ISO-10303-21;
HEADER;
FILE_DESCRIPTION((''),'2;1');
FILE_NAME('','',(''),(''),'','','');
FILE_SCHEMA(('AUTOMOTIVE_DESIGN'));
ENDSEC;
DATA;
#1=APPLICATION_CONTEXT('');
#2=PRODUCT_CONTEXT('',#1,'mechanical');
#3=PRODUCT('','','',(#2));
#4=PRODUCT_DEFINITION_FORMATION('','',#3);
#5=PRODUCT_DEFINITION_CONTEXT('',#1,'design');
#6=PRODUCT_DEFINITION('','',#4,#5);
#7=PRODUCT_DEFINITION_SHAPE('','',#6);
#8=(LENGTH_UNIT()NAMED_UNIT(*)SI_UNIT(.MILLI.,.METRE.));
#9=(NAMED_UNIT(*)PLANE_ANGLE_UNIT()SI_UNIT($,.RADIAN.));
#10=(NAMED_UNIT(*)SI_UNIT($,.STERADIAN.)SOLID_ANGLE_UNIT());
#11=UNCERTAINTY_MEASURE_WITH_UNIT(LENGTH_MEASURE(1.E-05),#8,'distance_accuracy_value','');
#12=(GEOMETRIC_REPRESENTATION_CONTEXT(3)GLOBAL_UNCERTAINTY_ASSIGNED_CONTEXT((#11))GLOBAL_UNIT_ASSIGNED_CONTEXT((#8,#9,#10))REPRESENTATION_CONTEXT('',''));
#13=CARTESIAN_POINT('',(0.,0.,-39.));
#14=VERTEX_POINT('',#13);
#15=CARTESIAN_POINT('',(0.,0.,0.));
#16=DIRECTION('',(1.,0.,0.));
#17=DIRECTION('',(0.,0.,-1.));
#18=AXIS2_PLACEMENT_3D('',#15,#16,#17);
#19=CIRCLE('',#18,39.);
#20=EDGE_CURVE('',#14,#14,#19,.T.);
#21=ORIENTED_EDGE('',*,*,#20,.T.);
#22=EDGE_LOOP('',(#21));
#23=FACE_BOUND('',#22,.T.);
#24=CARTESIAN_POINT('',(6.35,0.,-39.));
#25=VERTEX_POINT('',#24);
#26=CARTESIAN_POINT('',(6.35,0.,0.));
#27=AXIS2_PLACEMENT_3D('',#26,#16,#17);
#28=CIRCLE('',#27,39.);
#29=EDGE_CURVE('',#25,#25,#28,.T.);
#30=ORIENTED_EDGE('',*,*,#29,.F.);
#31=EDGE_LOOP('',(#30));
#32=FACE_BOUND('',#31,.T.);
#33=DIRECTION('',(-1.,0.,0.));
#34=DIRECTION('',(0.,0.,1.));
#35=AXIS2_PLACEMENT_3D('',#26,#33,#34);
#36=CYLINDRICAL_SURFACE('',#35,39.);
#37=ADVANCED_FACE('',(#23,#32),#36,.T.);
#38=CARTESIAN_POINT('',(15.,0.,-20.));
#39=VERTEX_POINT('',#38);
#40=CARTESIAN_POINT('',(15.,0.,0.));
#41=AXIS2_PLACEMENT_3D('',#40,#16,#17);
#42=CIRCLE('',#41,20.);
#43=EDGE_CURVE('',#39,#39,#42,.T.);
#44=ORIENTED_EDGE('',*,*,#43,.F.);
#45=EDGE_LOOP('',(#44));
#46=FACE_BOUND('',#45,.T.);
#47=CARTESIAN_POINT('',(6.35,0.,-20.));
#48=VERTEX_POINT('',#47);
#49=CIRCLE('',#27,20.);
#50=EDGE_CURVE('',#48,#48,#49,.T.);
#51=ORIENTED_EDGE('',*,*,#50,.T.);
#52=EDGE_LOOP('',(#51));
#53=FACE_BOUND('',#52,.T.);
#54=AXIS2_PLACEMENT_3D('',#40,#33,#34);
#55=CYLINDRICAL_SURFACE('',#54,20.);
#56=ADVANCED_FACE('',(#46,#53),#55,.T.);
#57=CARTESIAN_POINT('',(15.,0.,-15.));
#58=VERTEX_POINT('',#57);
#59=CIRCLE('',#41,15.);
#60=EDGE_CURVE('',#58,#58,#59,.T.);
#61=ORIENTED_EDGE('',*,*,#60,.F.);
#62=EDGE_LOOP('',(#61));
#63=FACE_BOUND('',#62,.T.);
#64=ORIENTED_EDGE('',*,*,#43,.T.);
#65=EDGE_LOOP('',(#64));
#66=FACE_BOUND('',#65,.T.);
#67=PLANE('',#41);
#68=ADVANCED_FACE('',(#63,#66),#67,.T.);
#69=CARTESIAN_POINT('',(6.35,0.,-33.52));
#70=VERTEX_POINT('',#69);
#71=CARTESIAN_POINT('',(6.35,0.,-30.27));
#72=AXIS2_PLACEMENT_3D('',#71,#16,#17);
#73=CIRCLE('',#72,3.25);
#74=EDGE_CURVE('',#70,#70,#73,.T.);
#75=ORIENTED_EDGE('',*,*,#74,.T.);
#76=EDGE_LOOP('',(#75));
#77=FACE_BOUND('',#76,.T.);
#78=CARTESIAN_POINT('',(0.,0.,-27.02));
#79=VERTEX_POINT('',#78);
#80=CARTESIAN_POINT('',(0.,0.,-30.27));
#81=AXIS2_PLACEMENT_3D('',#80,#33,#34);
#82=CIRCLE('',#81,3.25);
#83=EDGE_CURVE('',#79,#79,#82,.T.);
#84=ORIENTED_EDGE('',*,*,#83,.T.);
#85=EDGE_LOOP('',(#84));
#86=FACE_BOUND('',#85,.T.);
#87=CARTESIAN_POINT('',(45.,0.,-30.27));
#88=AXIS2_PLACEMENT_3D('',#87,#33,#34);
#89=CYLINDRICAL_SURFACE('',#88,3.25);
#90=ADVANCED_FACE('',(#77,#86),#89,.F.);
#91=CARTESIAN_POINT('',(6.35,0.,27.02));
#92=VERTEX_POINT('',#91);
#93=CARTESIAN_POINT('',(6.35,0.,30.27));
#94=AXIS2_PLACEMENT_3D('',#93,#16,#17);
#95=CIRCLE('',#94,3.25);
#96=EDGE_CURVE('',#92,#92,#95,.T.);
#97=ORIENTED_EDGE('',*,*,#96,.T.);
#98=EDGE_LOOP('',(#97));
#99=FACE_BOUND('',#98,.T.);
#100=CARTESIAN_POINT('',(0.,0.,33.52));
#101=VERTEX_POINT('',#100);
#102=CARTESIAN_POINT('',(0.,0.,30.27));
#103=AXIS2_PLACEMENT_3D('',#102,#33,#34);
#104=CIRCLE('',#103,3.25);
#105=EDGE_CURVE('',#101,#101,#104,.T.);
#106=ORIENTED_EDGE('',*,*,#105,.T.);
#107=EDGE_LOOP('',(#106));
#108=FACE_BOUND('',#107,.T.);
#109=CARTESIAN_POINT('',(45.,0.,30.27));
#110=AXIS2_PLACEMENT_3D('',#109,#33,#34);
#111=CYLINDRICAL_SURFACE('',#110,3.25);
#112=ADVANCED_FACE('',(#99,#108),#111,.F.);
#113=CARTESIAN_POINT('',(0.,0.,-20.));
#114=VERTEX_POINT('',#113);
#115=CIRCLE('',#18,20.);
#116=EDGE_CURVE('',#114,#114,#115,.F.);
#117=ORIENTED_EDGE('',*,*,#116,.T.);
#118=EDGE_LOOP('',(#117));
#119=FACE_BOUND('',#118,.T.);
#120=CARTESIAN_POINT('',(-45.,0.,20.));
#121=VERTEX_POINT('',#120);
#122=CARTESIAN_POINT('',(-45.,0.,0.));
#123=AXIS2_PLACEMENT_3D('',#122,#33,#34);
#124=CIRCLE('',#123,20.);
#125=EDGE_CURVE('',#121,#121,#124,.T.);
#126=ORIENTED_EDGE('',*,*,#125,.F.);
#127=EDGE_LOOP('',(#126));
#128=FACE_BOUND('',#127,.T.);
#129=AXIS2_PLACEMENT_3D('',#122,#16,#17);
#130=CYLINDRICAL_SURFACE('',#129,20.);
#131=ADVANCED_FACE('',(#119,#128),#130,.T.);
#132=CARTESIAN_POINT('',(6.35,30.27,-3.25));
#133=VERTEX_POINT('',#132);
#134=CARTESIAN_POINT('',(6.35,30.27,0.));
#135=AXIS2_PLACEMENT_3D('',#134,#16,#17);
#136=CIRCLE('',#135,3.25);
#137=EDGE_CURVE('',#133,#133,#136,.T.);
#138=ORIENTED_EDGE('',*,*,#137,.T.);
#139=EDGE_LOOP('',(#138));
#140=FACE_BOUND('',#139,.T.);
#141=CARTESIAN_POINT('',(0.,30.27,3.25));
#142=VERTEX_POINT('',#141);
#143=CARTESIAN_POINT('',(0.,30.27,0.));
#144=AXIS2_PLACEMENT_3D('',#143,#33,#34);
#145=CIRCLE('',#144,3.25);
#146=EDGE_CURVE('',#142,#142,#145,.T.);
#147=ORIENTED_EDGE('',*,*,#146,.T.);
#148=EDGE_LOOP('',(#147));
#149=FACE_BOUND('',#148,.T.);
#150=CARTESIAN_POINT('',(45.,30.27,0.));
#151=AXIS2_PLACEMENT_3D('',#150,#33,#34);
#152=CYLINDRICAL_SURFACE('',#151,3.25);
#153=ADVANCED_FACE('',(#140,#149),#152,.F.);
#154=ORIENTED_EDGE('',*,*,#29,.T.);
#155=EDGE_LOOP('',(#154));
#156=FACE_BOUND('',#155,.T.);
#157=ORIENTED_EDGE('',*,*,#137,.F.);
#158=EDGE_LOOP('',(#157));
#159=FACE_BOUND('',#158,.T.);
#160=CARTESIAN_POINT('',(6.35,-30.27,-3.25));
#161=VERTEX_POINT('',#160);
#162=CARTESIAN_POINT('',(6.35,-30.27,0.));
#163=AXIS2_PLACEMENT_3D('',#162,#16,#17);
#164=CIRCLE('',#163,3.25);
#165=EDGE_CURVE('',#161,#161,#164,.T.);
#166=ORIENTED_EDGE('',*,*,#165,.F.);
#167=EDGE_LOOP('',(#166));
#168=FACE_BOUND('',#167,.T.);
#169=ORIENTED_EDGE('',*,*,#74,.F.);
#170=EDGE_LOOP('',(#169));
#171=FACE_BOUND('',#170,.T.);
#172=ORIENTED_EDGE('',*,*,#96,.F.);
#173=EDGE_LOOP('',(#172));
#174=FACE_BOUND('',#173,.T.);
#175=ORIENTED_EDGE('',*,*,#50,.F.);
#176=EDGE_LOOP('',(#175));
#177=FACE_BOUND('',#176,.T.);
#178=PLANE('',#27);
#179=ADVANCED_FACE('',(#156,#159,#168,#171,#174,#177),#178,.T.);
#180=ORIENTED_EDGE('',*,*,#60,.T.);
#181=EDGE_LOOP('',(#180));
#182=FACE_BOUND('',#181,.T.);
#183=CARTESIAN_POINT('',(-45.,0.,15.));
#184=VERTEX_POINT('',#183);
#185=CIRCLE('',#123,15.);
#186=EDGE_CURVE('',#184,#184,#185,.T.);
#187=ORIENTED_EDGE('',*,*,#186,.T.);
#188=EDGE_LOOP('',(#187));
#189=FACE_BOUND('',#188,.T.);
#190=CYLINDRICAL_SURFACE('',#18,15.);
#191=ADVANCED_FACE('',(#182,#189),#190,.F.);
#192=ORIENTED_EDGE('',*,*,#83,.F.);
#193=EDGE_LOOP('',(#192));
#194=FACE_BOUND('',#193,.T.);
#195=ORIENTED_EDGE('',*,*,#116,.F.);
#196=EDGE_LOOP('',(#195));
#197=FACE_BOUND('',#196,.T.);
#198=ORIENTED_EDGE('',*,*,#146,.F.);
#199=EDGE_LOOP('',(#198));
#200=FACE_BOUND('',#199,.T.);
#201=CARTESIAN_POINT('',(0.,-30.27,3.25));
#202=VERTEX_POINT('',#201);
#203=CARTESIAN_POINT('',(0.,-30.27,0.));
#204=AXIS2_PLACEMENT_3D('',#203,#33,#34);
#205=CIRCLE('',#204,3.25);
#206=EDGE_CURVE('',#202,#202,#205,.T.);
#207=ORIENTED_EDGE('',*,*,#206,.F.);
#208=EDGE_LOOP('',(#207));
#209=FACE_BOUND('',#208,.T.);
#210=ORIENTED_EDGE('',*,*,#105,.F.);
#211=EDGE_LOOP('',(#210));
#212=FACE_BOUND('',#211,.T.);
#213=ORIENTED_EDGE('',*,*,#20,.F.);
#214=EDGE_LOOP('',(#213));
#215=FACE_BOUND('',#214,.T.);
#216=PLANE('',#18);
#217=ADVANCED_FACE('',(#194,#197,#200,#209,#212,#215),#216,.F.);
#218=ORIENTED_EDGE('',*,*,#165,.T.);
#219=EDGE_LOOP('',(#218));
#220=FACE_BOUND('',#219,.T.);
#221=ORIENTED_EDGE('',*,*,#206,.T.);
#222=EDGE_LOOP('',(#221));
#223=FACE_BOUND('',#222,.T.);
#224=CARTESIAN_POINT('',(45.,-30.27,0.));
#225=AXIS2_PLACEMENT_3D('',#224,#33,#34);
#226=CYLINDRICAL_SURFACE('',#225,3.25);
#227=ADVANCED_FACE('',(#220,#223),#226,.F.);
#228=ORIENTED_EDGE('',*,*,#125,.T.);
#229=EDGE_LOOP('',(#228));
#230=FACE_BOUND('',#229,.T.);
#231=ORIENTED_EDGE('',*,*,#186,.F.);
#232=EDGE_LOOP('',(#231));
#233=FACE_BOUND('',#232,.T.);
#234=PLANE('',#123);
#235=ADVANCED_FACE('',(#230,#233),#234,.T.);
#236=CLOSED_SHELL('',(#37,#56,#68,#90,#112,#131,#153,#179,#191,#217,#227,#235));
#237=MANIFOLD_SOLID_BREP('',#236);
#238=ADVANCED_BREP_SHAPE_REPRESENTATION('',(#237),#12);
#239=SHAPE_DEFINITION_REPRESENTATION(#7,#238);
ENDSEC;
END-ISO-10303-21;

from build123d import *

# Parameters (mm, degrees)
SKETCH1_R           = 39
BOSS_EXTRUDE1_DEPTH = 6.35
SKETCH2_R           = 15
CUT_EXTRUDE1_DEPTH  = 6.35
SKETCH3_R           = 20
SKETCH3_R_2         = 15
BOSS_EXTRUDE2_DEPTH = 8.65
SKETCH4_R           = 20
SKETCH4_R_2         = 15
BOSS_EXTRUDE3_DEPTH = 45
SKETCH5_R           = 3.25
CUT_EXTRUDE2_DEPTH  = 45


with BuildPart() as part:
    # Sketch1 → Boss-Extrude1 (new body)
    with BuildSketch(Plane(origin=(0, 0, 0), x_dir=(0, 0, -1), z_dir=(1, 0, 0))):
        Circle(SKETCH1_R)
    extrude(amount=BOSS_EXTRUDE1_DEPTH)

    # Sketch2 → Cut-Extrude1 (cut)
    with BuildSketch(Plane(origin=(6.35, 0, 0), x_dir=(0, 0, -1), z_dir=(1, 0, 0))):
        Circle(SKETCH2_R)
    extrude(amount=-CUT_EXTRUDE1_DEPTH, mode=Mode.SUBTRACT)

    # Sketch3 → Boss-Extrude2 (add)
    with BuildSketch(Plane(origin=(6.35, 0, 0), x_dir=(0, 0, -1), z_dir=(1, 0, 0))):
        Circle(SKETCH3_R)
        Circle(SKETCH3_R_2, mode=Mode.SUBTRACT)
    extrude(amount=BOSS_EXTRUDE2_DEPTH)

    # Sketch4 → Boss-Extrude3 (add)
    with BuildSketch(Plane.ZY):
        Circle(SKETCH4_R)
        Circle(SKETCH4_R_2, mode=Mode.SUBTRACT)
    extrude(amount=BOSS_EXTRUDE3_DEPTH)

    # Sketch5 → Cut-Extrude2 (cut)
    with BuildSketch(Plane.ZY):
        with Locations((0, 30.27)):
            Circle(SKETCH5_R)
        with Locations((-30.27, 0)):
            Circle(SKETCH5_R)
        with Locations((30.27, 0)):
            Circle(SKETCH5_R)
        with Locations((0, -30.27)):
            Circle(SKETCH5_R)
    extrude(amount=-CUT_EXTRUDE2_DEPTH, mode=Mode.SUBTRACT)


solid = part.part
